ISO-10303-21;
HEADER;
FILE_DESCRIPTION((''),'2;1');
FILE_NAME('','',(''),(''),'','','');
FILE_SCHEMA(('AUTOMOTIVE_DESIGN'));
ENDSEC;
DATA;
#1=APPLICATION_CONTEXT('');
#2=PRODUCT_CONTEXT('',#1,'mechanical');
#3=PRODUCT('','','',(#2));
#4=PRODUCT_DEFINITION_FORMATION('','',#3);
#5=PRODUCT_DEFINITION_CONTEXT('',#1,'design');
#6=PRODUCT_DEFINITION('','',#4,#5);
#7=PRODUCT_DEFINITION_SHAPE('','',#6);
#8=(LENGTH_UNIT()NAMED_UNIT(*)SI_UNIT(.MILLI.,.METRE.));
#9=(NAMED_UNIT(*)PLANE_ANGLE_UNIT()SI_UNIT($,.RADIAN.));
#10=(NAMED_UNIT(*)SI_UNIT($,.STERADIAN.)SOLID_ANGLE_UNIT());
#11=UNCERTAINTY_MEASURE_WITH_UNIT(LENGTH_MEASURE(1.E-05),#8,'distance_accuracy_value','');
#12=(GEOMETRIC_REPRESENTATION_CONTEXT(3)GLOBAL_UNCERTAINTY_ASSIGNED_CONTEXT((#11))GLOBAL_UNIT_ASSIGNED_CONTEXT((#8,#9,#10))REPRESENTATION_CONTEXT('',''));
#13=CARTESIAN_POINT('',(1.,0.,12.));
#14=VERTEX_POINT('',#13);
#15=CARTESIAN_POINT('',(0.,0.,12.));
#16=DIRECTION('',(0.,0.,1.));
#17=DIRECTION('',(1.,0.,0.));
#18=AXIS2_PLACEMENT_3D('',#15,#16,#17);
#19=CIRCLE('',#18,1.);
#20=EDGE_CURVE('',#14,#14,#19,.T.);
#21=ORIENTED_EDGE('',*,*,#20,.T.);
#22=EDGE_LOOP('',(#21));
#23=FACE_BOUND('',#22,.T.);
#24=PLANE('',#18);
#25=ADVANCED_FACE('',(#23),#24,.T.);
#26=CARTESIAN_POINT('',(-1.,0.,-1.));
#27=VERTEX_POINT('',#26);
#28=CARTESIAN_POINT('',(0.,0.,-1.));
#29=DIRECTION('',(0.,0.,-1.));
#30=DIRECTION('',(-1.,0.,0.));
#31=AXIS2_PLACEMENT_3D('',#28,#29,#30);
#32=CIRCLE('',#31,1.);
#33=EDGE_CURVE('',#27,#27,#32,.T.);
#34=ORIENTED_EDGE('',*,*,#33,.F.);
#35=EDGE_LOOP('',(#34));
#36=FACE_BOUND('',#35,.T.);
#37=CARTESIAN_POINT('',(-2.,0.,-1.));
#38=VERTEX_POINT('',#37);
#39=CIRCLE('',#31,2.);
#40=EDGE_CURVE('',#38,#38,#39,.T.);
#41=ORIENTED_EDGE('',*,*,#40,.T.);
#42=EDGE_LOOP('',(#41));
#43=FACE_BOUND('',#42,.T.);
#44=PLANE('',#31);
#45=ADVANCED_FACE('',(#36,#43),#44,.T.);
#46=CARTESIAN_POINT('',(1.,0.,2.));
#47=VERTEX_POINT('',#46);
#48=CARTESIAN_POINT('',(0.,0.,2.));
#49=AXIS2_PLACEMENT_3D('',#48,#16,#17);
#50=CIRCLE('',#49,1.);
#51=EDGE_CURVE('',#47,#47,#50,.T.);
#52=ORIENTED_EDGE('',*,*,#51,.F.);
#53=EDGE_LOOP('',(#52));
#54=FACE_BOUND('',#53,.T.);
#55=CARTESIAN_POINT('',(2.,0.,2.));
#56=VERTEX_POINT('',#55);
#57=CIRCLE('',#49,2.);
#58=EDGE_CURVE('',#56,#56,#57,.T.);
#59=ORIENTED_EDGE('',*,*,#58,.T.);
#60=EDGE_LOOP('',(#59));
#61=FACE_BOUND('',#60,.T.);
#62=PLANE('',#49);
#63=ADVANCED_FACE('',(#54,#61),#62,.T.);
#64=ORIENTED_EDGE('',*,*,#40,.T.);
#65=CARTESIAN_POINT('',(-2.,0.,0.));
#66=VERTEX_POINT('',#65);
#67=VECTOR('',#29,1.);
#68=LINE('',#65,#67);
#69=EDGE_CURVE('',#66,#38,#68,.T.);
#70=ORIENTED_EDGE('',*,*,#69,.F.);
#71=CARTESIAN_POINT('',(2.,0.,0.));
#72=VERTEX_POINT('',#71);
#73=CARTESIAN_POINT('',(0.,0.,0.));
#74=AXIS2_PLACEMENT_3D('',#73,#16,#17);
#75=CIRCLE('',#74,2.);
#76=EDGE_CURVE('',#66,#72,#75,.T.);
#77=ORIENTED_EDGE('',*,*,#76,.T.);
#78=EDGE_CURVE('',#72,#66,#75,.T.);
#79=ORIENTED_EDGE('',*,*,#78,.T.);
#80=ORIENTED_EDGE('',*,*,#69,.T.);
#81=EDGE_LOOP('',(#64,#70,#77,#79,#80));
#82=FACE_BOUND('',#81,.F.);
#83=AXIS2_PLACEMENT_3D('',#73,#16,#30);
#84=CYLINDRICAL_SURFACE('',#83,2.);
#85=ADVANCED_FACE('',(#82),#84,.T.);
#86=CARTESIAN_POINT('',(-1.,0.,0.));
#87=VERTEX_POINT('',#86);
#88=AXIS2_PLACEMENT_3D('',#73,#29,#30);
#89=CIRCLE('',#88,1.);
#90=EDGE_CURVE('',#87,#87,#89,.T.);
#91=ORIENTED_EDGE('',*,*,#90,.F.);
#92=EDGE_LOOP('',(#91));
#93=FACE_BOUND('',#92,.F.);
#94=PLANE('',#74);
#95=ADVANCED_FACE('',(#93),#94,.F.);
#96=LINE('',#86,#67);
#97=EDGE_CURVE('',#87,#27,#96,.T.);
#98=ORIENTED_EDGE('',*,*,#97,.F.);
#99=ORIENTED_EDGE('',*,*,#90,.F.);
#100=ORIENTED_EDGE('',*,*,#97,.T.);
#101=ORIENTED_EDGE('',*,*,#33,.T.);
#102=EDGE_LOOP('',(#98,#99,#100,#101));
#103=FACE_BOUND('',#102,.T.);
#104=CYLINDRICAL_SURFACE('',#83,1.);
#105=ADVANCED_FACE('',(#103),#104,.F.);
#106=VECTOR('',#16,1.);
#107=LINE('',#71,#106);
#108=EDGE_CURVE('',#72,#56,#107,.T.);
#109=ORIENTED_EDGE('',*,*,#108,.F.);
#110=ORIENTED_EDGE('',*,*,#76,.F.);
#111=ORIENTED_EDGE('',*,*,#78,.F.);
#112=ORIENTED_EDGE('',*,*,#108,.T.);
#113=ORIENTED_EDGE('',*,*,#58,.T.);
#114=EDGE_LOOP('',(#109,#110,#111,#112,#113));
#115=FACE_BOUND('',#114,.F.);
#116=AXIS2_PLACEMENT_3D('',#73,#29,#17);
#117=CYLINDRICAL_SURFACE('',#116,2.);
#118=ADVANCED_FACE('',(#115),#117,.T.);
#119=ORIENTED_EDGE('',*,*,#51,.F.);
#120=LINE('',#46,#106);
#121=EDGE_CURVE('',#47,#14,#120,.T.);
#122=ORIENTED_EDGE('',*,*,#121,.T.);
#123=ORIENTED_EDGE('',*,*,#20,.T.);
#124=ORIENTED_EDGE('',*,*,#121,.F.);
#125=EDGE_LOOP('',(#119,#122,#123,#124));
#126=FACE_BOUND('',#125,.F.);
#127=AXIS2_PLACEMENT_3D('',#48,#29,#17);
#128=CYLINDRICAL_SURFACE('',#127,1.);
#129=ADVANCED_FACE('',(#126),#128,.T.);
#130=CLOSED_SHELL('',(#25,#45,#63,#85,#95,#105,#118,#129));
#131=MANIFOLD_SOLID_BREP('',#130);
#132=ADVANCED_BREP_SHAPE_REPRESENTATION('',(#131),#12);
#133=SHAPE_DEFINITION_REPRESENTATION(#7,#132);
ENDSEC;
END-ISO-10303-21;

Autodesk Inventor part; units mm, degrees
ref_plane "YZ Plane" through (0, 0, 0) normal (1, 0, 0) x (0, 1, 0)
ref_plane "XZ Plane" through (0, 0, 0) normal (0, 1, 0) x (-1, 0, 0)
ref_plane "XY Plane" through (0, 0, 0) normal (0, 0, 1) x (1, 0, 0)
sketch "Sketch1" plane through (0, 0, 0) normal (0, 0, 1) x (1, 0, 0)
  circle A0 centre (0, 0) radius 2
  dimension "d0" = 2
extrude "Extrusion1" add sketch "Sketch1" along normal blind 2
sketch "Sketch2" plane through (0, 0, 2) normal (0, 0, 1) x (1, 0, 0)
  circle A0 centre (0, 0) radius 1
  dimension "d3" = 1
extrude "Extrusion2" add sketch "Sketch2" along normal blind 10
sketch "Sketch3" plane through (0, 0, 0) normal (0, 0, -1) x (-1, 0, 0)
  circle A0 centre (0, 0) radius 2
  circle A1 centre (0, 0) radius 1
  dimension "d6" = 2
  dimension "d7" = 1
extrude "Extrusion3" add sketch "Sketch3" along normal blind 1
properties part number "eje"
